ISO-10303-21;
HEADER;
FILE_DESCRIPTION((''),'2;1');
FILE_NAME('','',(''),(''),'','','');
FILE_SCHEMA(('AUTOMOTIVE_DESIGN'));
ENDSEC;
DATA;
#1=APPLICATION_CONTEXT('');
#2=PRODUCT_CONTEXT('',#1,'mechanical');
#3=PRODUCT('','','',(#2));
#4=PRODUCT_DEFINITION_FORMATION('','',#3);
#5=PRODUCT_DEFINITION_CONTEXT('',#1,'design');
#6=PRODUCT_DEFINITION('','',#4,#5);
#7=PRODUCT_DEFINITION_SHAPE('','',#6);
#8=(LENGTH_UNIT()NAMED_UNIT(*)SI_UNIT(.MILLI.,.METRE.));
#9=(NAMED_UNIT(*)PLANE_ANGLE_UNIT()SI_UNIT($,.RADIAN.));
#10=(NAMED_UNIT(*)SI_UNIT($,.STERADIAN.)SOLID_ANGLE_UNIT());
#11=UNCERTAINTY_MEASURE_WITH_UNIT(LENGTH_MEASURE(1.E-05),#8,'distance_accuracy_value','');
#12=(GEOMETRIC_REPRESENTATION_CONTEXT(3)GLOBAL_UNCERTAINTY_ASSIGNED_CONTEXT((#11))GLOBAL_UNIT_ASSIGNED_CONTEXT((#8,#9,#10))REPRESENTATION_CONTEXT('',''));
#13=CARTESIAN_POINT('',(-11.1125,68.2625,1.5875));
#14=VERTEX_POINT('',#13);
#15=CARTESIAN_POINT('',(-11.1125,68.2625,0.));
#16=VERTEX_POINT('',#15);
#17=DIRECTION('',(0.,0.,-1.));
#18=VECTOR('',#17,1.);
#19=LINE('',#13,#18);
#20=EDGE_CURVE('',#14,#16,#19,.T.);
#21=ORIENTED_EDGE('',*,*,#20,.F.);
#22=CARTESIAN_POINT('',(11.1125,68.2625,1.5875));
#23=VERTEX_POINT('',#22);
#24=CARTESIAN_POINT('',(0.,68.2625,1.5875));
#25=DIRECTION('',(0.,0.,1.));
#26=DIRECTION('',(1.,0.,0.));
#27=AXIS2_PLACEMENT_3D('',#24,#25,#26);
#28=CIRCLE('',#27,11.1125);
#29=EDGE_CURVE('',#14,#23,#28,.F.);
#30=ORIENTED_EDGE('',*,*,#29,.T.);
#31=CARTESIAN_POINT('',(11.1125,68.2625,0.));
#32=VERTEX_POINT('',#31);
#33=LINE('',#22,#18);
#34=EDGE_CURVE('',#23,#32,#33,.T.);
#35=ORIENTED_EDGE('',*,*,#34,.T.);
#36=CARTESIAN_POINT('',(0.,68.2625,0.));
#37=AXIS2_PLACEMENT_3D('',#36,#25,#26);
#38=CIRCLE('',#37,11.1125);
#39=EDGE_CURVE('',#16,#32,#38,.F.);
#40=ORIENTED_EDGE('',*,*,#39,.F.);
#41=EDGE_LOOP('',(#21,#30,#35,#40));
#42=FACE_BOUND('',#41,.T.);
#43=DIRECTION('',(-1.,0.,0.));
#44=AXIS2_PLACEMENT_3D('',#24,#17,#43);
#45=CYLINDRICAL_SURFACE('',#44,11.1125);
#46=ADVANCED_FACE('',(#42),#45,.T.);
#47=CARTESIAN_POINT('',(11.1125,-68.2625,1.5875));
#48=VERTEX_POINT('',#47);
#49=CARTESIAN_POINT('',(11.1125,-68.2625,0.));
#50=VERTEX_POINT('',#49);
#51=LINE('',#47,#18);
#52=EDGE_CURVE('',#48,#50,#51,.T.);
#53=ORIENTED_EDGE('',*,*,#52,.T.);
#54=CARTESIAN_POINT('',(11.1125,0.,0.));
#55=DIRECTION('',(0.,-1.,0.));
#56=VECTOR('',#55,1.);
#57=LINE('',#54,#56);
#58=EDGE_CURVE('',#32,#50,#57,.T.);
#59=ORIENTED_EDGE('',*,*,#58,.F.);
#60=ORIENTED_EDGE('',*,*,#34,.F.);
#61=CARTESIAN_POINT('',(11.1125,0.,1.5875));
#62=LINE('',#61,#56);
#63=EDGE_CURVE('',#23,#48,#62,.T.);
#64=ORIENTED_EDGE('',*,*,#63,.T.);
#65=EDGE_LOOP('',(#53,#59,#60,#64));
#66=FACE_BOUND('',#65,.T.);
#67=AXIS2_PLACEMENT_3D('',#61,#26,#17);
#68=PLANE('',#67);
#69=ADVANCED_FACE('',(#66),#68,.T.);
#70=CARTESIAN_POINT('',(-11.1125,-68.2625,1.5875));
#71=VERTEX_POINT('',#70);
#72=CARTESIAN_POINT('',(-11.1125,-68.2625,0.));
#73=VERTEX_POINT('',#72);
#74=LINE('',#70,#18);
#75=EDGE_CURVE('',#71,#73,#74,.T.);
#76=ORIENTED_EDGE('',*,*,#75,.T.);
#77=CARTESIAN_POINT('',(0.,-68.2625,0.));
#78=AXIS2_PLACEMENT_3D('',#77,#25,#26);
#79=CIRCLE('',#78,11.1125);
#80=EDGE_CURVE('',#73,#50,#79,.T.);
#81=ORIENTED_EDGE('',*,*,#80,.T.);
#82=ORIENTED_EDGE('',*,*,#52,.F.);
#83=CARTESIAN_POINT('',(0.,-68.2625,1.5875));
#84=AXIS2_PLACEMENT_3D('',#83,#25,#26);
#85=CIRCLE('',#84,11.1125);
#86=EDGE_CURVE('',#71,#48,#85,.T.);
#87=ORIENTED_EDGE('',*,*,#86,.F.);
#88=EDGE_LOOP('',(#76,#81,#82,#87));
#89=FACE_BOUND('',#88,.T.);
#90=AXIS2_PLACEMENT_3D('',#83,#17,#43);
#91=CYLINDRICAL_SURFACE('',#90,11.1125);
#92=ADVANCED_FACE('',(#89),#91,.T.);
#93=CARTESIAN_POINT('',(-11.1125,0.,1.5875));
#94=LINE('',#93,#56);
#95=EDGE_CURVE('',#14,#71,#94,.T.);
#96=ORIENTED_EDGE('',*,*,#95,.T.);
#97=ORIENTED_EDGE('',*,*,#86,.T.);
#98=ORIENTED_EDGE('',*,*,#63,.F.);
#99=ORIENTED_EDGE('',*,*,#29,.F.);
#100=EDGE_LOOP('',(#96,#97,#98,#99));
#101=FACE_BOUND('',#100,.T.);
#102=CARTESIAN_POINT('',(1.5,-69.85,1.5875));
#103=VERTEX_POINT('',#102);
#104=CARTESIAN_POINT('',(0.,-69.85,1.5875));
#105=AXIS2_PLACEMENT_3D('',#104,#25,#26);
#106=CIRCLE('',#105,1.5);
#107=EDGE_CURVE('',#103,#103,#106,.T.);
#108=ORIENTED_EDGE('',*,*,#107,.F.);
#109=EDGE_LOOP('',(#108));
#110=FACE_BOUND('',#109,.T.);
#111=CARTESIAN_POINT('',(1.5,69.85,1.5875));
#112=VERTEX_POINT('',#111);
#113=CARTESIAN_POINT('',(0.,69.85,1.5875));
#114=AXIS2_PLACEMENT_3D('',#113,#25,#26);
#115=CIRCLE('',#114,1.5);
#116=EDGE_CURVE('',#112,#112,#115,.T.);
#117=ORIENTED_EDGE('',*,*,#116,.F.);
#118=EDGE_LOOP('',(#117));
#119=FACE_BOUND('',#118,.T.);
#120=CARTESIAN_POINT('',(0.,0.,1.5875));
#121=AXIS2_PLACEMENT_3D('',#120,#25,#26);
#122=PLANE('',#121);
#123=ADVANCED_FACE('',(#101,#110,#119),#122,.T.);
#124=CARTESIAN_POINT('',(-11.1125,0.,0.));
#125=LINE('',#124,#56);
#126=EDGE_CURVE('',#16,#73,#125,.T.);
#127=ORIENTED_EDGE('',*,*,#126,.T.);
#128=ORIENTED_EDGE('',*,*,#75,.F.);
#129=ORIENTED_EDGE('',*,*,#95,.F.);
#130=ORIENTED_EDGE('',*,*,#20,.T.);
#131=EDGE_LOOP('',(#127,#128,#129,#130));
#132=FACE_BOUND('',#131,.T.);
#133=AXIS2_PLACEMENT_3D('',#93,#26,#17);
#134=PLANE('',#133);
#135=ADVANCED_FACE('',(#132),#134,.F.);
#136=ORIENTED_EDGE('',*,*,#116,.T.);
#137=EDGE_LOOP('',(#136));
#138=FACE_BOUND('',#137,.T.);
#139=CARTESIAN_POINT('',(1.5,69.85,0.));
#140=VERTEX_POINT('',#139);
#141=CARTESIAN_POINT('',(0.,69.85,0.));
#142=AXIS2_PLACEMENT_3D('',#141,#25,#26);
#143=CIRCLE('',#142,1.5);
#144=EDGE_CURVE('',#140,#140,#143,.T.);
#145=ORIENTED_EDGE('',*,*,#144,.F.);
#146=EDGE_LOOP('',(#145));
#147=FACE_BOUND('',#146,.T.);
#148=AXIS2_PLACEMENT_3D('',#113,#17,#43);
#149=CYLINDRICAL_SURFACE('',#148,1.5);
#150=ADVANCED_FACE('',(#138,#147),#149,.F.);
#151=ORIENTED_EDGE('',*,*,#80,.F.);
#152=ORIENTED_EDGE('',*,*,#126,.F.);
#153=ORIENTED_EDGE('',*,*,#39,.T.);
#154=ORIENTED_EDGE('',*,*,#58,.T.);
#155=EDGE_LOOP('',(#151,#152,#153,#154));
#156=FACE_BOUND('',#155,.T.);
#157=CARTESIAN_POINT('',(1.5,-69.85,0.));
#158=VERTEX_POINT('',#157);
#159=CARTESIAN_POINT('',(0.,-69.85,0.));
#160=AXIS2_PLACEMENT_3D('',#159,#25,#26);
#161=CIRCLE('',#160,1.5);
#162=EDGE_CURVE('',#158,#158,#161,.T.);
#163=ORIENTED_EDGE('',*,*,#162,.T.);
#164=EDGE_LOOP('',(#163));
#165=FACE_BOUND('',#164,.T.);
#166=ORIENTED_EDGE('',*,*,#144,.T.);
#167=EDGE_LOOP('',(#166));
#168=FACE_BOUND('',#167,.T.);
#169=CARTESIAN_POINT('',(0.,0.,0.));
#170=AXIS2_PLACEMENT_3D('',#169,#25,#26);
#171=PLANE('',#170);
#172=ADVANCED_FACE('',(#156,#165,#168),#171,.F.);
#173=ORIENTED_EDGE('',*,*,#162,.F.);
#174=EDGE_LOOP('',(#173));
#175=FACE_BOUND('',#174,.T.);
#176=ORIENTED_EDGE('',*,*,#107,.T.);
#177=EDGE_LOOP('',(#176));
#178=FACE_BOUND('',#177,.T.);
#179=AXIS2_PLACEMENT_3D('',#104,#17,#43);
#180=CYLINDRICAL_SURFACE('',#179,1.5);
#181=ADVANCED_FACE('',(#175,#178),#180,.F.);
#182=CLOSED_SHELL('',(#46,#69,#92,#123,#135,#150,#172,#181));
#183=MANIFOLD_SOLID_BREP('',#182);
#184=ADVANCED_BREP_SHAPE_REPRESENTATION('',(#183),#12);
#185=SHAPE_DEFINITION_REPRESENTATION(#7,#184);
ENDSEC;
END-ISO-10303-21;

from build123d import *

# Parameters (mm, degrees)
SKETCH1_R           = 1.5
SKETCH1_W           = 11.1125
SKETCH1_H           = 136.525
BOSS_EXTRUDE1_DEPTH = 1.5875


with BuildPart() as part:
    # Sketch1 → Boss-Extrude1 (new body)
    # profile 1 of 4: a face of its own
    with BuildSketch(Plane.XY):
        with BuildLine():
            ThreePointArc((-11.1125, 68.2625), (0, 79.375), (11.1125, 68.2625))
            Line((11.1125, 68.2625), (-11.1125, 68.2625))
        make_face()
        with Locations((0, 69.85)):
            Circle(SKETCH1_R, mode=Mode.SUBTRACT)
    # profile 2 of 4: a face of its own
    with BuildSketch(Plane.XY):
        with Locations((5.55625, 0)):
            Rectangle(SKETCH1_W, SKETCH1_H)
    # profile 3 of 4: a face of its own
    with BuildSketch(Plane.XY):
        with Locations((-5.55625, 0)):
            Rectangle(SKETCH1_W, SKETCH1_H)
    # profile 4 of 4: a face of its own
    with BuildSketch(Plane.XY):
        with BuildLine():
            Line((-11.1125, -68.2625), (11.1125, -68.2625))
            ThreePointArc((11.1125, -68.2625), (0, -79.375), (-11.1125, -68.2625))
        make_face()
        with Locations((0, -69.85)):
            Circle(SKETCH1_R, mode=Mode.SUBTRACT)
    extrude(amount=BOSS_EXTRUDE1_DEPTH)


solid = part.part
